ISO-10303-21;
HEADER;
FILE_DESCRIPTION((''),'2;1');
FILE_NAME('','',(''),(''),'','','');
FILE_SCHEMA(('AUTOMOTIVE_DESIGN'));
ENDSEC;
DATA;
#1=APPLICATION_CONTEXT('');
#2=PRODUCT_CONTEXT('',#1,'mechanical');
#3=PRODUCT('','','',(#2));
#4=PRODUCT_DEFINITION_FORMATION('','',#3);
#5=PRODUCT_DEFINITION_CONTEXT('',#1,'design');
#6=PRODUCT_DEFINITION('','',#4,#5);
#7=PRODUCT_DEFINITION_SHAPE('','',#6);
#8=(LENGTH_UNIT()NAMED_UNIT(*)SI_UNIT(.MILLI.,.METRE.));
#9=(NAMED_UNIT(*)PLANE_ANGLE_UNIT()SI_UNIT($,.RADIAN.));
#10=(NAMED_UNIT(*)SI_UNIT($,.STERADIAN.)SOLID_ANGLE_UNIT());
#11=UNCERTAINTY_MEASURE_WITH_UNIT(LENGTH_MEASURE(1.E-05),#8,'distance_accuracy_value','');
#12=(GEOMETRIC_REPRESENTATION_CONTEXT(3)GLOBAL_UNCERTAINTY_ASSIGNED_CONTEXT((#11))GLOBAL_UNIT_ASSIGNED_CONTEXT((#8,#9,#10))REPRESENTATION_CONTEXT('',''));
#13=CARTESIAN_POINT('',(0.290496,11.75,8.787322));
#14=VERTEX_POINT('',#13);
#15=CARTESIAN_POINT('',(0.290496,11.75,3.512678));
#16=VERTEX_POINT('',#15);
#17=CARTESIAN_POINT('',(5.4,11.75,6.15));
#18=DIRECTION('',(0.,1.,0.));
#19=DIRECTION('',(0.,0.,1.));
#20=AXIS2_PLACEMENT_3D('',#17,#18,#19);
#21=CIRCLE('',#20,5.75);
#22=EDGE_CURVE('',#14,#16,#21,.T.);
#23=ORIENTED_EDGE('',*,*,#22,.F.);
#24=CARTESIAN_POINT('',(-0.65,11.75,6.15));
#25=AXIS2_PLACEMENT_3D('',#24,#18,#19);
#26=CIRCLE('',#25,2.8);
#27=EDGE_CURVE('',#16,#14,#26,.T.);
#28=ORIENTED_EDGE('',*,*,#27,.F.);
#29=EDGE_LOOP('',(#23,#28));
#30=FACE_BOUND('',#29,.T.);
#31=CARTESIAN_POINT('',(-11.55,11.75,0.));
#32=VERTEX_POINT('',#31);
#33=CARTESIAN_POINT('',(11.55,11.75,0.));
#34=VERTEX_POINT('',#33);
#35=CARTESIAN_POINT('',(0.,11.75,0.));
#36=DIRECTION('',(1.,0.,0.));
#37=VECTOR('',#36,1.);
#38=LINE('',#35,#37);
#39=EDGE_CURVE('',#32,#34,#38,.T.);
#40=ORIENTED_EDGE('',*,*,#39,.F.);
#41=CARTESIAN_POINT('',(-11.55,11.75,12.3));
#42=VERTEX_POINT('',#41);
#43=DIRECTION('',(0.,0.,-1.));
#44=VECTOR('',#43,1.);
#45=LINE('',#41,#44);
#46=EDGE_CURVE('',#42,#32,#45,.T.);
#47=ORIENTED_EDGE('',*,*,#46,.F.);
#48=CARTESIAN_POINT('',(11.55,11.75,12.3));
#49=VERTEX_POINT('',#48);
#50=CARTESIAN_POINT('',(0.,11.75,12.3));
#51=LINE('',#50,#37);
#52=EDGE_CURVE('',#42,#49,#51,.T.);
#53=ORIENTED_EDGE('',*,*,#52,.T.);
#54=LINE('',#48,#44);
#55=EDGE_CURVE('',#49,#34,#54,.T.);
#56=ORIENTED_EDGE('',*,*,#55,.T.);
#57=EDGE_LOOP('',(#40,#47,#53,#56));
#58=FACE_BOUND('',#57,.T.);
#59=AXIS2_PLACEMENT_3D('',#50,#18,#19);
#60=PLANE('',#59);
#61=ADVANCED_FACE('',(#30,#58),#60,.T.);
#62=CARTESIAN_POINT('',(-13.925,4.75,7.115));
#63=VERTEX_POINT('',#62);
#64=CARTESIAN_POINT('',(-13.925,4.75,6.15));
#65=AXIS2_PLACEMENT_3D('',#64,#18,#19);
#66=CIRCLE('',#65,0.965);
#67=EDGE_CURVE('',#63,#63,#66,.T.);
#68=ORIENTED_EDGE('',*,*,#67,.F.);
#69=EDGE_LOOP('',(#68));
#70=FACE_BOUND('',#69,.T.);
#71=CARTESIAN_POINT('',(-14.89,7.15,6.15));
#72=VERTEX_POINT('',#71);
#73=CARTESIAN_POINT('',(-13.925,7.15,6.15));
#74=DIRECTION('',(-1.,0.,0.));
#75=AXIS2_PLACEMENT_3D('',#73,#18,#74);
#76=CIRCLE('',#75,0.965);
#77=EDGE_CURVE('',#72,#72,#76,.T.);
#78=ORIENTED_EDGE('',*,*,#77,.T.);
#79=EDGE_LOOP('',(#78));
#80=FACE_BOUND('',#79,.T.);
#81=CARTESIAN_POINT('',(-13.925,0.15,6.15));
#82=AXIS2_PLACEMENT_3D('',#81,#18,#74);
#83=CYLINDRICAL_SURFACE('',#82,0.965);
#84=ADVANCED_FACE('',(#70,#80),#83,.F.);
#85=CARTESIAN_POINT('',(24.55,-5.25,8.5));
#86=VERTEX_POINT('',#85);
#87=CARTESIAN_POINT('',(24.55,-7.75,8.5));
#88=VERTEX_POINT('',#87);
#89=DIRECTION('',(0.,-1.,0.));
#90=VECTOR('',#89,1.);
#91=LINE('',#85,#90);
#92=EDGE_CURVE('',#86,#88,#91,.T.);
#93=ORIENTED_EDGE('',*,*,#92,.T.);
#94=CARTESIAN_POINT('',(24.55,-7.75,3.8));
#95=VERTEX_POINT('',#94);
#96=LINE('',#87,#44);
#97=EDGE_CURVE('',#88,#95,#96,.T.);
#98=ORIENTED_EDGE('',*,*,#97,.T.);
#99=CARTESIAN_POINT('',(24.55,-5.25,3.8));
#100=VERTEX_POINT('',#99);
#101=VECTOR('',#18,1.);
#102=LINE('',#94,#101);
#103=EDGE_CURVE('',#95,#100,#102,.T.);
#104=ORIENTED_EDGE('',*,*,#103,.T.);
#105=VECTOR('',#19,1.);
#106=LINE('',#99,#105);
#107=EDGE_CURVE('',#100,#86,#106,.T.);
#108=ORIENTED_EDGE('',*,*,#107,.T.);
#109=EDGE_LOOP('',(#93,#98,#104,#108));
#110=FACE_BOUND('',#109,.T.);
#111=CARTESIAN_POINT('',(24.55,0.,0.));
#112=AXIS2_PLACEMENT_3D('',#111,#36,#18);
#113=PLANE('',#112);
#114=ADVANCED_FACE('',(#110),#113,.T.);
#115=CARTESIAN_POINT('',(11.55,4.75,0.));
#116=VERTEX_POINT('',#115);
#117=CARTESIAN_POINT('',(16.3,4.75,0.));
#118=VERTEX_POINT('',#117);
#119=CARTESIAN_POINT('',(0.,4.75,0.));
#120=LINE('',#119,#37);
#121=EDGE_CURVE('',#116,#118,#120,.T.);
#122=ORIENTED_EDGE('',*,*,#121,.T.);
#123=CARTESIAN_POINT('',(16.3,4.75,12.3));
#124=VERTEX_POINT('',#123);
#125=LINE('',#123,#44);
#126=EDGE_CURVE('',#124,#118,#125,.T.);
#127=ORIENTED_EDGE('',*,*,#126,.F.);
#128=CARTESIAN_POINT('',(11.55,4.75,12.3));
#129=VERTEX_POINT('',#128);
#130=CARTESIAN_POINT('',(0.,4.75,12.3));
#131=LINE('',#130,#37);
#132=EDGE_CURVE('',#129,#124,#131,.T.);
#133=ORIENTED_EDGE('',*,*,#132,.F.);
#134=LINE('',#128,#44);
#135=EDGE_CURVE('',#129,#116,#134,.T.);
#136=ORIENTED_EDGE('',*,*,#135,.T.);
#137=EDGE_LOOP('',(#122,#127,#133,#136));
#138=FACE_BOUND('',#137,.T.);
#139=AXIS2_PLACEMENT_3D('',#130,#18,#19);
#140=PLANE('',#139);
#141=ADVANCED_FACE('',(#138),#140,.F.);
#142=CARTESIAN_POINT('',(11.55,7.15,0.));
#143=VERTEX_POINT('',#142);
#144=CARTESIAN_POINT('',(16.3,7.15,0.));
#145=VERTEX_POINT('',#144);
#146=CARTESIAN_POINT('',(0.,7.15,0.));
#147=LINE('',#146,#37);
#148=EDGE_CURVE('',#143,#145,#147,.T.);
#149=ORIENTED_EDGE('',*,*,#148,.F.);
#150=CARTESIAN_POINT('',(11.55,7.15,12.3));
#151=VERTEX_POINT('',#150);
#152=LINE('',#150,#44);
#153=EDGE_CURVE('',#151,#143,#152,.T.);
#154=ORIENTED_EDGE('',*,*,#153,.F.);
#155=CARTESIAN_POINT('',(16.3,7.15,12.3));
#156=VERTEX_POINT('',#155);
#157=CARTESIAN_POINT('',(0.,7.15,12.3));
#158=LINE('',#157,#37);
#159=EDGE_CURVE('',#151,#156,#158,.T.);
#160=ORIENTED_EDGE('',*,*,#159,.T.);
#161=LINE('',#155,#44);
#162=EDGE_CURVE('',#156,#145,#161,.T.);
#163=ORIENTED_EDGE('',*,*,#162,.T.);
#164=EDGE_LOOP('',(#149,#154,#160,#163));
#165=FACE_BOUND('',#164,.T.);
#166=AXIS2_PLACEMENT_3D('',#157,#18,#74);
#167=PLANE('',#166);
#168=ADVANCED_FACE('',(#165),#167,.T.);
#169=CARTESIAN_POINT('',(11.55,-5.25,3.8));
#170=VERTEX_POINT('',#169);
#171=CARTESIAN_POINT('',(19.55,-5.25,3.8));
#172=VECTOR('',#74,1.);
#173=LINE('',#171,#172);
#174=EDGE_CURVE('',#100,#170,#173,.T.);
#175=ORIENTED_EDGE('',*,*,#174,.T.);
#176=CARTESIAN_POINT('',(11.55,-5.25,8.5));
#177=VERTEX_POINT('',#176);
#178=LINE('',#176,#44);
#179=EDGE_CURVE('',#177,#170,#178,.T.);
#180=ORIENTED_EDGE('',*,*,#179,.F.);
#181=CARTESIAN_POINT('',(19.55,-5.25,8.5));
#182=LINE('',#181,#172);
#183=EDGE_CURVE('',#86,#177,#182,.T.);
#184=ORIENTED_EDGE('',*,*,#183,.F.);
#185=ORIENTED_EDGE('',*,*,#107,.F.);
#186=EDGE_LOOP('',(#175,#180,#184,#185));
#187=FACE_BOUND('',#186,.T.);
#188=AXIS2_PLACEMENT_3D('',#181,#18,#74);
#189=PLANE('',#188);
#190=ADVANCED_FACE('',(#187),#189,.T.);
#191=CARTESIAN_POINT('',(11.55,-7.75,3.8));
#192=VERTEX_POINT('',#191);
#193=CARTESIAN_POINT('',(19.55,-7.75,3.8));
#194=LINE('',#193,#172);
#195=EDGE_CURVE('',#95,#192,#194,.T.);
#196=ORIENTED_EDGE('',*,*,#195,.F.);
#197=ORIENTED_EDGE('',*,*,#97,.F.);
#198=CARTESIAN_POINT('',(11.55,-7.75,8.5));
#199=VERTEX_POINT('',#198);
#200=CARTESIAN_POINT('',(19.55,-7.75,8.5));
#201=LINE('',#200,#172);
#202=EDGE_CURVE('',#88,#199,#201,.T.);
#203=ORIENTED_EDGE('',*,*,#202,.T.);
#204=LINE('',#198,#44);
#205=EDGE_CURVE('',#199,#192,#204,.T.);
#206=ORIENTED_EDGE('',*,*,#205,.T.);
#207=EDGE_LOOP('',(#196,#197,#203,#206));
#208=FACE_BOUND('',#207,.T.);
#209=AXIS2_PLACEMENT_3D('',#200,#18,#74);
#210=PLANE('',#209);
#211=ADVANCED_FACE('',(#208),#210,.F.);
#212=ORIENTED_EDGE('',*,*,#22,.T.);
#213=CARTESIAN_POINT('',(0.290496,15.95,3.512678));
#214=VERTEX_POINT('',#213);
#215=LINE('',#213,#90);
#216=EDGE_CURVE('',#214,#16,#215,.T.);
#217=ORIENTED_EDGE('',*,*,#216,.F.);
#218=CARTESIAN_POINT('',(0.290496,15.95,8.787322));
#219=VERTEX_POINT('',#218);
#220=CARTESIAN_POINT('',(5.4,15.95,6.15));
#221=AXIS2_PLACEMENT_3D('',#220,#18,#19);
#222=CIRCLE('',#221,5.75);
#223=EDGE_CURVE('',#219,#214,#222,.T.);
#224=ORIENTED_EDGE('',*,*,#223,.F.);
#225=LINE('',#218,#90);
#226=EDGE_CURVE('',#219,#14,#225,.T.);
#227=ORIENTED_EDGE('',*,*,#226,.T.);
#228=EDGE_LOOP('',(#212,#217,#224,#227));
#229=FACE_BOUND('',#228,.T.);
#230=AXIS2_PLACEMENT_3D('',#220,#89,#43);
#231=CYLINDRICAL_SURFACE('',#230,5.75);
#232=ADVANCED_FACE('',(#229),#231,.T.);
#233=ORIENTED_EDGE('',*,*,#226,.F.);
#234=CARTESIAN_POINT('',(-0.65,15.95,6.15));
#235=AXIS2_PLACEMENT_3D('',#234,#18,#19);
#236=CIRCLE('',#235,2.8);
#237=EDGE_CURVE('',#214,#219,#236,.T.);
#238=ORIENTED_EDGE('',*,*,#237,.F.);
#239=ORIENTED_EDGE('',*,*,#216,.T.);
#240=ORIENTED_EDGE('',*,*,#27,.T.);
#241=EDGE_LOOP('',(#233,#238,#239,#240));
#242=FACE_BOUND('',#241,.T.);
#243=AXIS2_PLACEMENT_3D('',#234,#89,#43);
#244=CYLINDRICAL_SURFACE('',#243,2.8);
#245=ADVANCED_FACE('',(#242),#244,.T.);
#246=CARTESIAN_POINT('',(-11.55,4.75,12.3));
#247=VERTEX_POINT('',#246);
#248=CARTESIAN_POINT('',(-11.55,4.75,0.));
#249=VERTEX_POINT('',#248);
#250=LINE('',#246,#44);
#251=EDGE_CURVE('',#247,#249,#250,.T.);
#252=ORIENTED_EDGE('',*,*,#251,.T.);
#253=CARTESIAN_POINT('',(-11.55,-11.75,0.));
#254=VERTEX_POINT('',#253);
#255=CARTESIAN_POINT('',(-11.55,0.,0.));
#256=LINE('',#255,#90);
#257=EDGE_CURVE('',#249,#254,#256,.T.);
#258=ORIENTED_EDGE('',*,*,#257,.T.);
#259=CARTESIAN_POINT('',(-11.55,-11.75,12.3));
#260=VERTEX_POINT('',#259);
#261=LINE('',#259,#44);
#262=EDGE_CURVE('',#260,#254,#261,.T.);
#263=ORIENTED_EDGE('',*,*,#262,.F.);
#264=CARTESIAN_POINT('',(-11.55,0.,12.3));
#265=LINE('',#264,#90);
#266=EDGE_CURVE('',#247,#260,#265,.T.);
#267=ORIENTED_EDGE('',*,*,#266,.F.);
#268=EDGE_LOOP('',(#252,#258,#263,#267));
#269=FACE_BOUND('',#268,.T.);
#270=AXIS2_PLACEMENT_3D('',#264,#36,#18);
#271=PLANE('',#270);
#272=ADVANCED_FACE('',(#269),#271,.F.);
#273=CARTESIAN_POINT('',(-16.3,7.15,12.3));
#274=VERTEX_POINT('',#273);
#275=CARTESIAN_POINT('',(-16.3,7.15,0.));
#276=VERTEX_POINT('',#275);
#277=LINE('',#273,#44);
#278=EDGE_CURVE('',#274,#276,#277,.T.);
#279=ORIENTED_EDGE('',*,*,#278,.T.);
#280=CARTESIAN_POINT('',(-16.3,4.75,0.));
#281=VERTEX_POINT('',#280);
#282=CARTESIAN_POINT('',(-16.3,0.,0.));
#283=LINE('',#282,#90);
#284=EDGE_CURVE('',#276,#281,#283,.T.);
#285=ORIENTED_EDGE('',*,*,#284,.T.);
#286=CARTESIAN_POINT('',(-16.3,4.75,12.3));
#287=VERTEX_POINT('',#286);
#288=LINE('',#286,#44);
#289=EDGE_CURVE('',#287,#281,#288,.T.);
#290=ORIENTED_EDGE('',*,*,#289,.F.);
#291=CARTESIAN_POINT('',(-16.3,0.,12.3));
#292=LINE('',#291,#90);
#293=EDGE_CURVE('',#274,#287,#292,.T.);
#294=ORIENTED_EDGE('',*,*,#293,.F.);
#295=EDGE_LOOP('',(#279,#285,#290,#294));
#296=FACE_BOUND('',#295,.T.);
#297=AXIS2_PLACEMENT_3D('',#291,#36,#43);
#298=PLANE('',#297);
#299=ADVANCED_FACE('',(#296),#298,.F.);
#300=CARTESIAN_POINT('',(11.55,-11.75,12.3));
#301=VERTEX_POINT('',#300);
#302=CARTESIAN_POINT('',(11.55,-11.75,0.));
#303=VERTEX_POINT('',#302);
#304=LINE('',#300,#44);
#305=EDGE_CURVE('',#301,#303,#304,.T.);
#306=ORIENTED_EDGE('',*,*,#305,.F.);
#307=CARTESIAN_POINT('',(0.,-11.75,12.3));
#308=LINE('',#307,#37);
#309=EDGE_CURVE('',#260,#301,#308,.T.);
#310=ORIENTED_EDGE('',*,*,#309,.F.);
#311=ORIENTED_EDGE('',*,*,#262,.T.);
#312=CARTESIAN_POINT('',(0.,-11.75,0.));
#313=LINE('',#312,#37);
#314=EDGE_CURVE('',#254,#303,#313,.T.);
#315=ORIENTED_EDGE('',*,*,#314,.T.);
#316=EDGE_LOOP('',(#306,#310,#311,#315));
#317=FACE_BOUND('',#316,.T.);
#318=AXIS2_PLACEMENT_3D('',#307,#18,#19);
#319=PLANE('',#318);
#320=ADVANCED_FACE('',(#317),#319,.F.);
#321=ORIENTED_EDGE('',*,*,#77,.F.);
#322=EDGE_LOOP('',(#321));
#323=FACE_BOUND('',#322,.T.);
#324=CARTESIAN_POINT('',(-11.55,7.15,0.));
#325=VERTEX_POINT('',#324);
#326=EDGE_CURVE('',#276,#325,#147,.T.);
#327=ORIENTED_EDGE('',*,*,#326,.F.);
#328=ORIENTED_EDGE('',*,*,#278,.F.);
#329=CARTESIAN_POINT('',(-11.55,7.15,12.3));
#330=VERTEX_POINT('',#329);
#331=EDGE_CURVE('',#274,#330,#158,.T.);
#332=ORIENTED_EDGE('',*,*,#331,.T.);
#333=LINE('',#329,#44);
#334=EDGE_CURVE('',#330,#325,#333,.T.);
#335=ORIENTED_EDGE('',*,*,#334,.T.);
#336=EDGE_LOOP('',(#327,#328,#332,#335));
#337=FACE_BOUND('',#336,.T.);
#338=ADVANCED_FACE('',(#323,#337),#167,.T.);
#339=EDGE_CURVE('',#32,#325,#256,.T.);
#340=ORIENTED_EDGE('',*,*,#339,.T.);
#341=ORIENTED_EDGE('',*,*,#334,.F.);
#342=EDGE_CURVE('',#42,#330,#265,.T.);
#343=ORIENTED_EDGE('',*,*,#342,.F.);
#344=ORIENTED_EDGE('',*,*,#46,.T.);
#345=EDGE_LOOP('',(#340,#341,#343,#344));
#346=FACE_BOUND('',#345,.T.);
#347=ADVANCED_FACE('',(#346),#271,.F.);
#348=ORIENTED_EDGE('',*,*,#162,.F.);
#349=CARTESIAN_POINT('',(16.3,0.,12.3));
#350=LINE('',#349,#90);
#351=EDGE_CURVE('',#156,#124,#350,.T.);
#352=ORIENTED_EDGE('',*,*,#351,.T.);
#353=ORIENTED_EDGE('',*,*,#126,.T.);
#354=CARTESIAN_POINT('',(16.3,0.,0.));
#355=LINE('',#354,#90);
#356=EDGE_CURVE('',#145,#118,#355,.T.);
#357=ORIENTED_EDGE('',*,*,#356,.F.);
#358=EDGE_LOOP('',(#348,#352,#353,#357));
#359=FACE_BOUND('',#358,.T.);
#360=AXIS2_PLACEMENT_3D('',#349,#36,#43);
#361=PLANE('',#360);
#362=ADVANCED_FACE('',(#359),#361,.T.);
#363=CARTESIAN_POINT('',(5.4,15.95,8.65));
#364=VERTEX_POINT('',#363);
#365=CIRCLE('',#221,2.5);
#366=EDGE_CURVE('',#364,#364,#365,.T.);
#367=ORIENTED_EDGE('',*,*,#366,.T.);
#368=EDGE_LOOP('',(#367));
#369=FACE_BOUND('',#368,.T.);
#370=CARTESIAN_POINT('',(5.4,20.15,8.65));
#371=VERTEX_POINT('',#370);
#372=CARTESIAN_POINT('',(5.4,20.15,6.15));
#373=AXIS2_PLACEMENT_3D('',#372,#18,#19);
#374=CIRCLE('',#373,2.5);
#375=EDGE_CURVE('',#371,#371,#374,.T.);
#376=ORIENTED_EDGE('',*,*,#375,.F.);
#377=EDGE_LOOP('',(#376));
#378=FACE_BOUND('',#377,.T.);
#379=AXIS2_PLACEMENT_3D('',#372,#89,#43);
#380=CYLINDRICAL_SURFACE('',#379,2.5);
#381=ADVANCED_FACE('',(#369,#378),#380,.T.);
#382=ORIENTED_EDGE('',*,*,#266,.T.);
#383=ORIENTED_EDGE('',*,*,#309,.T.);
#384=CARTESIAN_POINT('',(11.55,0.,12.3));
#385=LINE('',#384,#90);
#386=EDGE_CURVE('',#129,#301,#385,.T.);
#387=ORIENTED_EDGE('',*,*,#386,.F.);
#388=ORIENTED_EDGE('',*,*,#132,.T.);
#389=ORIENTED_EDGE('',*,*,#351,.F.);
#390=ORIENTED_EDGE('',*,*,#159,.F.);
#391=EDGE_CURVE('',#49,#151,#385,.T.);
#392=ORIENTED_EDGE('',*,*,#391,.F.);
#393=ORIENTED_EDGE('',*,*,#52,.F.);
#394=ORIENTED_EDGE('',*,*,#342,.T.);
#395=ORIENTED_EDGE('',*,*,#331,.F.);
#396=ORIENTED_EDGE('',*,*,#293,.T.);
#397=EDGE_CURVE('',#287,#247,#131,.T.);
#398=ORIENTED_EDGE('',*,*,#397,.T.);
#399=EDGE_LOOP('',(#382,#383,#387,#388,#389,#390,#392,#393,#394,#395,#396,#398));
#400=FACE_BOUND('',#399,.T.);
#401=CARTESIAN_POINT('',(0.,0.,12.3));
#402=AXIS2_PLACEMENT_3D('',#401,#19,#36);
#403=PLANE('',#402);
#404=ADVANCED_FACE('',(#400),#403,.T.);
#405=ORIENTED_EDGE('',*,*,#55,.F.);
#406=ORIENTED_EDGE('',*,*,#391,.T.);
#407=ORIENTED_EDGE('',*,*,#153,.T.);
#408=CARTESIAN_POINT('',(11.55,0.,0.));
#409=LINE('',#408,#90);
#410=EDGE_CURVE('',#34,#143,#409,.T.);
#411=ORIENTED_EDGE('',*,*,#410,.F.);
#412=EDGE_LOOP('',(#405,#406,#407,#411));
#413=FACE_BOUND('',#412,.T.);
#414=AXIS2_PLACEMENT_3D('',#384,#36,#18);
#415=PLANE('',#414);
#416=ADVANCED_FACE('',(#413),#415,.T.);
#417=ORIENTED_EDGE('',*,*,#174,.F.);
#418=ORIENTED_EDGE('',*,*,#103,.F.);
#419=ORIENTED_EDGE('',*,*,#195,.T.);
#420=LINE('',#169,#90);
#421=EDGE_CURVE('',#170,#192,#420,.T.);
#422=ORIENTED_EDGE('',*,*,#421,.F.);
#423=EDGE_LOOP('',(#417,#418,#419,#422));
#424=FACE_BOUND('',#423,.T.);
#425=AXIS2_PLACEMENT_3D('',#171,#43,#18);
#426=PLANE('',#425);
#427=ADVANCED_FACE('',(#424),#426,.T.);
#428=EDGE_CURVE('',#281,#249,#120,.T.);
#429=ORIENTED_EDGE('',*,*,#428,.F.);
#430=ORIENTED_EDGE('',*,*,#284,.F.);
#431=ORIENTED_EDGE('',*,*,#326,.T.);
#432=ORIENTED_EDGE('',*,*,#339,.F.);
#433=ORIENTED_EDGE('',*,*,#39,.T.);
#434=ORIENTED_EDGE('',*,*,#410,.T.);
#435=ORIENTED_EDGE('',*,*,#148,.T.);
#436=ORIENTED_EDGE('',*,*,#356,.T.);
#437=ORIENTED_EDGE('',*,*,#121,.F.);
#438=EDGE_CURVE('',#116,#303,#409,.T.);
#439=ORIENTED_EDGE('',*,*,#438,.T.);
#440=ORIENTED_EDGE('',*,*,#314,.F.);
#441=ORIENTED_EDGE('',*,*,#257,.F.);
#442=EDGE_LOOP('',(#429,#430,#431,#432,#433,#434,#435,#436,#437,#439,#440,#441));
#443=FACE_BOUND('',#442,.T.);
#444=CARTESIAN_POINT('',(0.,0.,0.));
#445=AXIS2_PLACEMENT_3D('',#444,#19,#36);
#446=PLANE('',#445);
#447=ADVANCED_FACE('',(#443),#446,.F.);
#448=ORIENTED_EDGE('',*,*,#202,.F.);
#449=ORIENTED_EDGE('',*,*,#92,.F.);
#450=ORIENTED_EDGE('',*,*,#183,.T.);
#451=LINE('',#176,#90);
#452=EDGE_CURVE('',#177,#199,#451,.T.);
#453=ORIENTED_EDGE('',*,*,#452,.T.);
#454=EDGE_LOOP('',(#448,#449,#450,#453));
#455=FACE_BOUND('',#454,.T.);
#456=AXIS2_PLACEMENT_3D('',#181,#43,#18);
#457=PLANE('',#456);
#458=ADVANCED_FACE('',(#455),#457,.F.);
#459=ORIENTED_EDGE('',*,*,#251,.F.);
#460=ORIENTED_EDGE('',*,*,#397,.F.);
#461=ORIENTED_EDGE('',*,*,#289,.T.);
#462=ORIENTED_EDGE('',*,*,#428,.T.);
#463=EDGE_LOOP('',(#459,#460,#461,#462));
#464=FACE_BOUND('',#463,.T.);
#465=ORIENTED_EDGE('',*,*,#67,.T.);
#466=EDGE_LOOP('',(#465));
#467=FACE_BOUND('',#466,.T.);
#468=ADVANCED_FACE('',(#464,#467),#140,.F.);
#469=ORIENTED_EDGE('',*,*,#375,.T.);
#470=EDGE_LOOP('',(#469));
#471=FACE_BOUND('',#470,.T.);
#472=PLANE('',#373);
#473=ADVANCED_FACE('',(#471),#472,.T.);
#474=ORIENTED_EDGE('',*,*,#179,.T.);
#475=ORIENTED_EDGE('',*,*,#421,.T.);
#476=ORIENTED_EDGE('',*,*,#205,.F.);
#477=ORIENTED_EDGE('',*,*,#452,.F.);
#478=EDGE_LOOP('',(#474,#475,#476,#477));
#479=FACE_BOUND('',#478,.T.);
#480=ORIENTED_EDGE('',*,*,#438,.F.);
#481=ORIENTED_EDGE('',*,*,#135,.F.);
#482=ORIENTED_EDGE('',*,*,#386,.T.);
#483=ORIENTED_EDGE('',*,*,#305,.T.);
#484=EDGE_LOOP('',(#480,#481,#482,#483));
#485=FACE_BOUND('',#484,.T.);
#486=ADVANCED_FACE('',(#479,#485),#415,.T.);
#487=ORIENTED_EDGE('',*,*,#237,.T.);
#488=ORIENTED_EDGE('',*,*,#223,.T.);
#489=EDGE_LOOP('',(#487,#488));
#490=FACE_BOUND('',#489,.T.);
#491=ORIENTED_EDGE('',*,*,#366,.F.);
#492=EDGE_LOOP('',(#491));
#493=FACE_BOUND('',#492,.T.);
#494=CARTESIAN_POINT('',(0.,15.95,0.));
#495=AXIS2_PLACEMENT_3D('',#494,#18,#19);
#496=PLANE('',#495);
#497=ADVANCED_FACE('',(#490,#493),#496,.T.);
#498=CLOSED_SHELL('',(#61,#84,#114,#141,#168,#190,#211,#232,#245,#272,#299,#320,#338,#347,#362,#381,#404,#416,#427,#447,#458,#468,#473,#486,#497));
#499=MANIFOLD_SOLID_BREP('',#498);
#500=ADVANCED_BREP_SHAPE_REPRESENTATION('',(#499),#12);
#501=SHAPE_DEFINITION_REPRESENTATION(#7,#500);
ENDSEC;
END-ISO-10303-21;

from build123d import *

# Parameters (mm, degrees)
SKETCH_1_W          = 23.1
SKETCH_1_H          = 4.6
SKETCH_1_H_2        = 2.4
SKETCH_1_W_2        = 4.75
SKETCH_1_H_3        = 16.5
EXTRUDE_1_DEPTH     = 12.3
SKETCH_2_R          = 5.75
SKETCH_2_R_2        = 2.8
EXTRUDE_3_DEPTH     = 4.2
SKETCH_4_R          = 2.5
EXTRUDE_4_DEPTH     = 4.2
SKETCH_5_W          = 4.7
SKETCH_5_H          = 2.5
EXTRUDE_5_DEPTH     = 8
SKETCH_6_W          = 4.7
SKETCH_6_H          = 2.5
EXTRUDE_6_DEPTH     = 5
SKETCH_7_R          = 0.965
CUT_EXTRUDE_1_DEPTH = 7


with BuildPart() as part:
    # 草图1 → 凸台-拉伸1 (new body)
    with BuildSketch(Plane.XY):
        with Locations((0, 9.45)):
            Rectangle(SKETCH_1_W, SKETCH_1_H)
        with Locations((0, 5.95)):
            Rectangle(SKETCH_1_W, SKETCH_1_H_2)
        with Locations((-13.925, 5.95)):
            Rectangle(SKETCH_1_W_2, SKETCH_1_H_2)
        with Locations((13.925, 5.95)):
            Rectangle(SKETCH_1_W_2, SKETCH_1_H_2)
        with Locations((0, -3.5)):
            Rectangle(SKETCH_1_W, SKETCH_1_H_3)
    extrude(amount=EXTRUDE_1_DEPTH)

    # 草图2 → 凸台-拉伸3 (add)
    with BuildSketch(Plane(origin=(0, 11.75, 0), x_dir=(1, 0, 0), z_dir=(0, 1, 0))):
        with Locations((5.4, -6.15)):
            Circle(SKETCH_2_R)
        with Locations((-0.65, -6.15)):
            Circle(SKETCH_2_R_2)
        with Locations((-0.65, -6.15)):
            Circle(SKETCH_2_R_2)
        with Locations((5.4, -6.15)):
            Circle(SKETCH_2_R)
        with Locations((5.4, -6.15)):
            Circle(SKETCH_2_R)
        with Locations((-0.65, -6.15)):
            Circle(SKETCH_2_R_2)
    extrude(amount=EXTRUDE_3_DEPTH)

    # 草图4 → 凸台-拉伸4 (add)
    with BuildSketch(Plane(origin=(0, 15.95, 0), x_dir=(1, 0, 0), z_dir=(0, 1, 0))):
        with Locations(Location((5.4, -6.15, 0), (0, 0, 270))):
            Circle(SKETCH_4_R)
    extrude(amount=EXTRUDE_4_DEPTH)

    # 草图5 → 凸台-拉伸5 (add)
    with BuildSketch(Plane(origin=(11.55, 0, 0), x_dir=(0, 0, -1), z_dir=(1, 0, 0))):
        with Locations((-6.15, -6.5)):
            Rectangle(SKETCH_5_W, SKETCH_5_H)
    extrude(amount=EXTRUDE_5_DEPTH)

    # 草图6 → 凸台-拉伸6 (add)
    with BuildSketch(Plane(origin=(19.55, 0, 0), x_dir=(0, 0, -1), z_dir=(1, 0, 0))):
        with Locations((-6.15, -6.5)):
            Rectangle(SKETCH_6_W, SKETCH_6_H)
    extrude(amount=EXTRUDE_6_DEPTH)

    # 草图7 → 切除-拉伸1 (cut)
    with BuildSketch(Plane(origin=(0, 7.15, 0), x_dir=(1, 0, 0), z_dir=(0, 1, 0))):
        with Locations(Location((-13.925, -6.15, 0), (0, 0, 180))):
            Circle(SKETCH_7_R)
    extrude(amount=-CUT_EXTRUDE_1_DEPTH, mode=Mode.SUBTRACT)


solid = part.part
